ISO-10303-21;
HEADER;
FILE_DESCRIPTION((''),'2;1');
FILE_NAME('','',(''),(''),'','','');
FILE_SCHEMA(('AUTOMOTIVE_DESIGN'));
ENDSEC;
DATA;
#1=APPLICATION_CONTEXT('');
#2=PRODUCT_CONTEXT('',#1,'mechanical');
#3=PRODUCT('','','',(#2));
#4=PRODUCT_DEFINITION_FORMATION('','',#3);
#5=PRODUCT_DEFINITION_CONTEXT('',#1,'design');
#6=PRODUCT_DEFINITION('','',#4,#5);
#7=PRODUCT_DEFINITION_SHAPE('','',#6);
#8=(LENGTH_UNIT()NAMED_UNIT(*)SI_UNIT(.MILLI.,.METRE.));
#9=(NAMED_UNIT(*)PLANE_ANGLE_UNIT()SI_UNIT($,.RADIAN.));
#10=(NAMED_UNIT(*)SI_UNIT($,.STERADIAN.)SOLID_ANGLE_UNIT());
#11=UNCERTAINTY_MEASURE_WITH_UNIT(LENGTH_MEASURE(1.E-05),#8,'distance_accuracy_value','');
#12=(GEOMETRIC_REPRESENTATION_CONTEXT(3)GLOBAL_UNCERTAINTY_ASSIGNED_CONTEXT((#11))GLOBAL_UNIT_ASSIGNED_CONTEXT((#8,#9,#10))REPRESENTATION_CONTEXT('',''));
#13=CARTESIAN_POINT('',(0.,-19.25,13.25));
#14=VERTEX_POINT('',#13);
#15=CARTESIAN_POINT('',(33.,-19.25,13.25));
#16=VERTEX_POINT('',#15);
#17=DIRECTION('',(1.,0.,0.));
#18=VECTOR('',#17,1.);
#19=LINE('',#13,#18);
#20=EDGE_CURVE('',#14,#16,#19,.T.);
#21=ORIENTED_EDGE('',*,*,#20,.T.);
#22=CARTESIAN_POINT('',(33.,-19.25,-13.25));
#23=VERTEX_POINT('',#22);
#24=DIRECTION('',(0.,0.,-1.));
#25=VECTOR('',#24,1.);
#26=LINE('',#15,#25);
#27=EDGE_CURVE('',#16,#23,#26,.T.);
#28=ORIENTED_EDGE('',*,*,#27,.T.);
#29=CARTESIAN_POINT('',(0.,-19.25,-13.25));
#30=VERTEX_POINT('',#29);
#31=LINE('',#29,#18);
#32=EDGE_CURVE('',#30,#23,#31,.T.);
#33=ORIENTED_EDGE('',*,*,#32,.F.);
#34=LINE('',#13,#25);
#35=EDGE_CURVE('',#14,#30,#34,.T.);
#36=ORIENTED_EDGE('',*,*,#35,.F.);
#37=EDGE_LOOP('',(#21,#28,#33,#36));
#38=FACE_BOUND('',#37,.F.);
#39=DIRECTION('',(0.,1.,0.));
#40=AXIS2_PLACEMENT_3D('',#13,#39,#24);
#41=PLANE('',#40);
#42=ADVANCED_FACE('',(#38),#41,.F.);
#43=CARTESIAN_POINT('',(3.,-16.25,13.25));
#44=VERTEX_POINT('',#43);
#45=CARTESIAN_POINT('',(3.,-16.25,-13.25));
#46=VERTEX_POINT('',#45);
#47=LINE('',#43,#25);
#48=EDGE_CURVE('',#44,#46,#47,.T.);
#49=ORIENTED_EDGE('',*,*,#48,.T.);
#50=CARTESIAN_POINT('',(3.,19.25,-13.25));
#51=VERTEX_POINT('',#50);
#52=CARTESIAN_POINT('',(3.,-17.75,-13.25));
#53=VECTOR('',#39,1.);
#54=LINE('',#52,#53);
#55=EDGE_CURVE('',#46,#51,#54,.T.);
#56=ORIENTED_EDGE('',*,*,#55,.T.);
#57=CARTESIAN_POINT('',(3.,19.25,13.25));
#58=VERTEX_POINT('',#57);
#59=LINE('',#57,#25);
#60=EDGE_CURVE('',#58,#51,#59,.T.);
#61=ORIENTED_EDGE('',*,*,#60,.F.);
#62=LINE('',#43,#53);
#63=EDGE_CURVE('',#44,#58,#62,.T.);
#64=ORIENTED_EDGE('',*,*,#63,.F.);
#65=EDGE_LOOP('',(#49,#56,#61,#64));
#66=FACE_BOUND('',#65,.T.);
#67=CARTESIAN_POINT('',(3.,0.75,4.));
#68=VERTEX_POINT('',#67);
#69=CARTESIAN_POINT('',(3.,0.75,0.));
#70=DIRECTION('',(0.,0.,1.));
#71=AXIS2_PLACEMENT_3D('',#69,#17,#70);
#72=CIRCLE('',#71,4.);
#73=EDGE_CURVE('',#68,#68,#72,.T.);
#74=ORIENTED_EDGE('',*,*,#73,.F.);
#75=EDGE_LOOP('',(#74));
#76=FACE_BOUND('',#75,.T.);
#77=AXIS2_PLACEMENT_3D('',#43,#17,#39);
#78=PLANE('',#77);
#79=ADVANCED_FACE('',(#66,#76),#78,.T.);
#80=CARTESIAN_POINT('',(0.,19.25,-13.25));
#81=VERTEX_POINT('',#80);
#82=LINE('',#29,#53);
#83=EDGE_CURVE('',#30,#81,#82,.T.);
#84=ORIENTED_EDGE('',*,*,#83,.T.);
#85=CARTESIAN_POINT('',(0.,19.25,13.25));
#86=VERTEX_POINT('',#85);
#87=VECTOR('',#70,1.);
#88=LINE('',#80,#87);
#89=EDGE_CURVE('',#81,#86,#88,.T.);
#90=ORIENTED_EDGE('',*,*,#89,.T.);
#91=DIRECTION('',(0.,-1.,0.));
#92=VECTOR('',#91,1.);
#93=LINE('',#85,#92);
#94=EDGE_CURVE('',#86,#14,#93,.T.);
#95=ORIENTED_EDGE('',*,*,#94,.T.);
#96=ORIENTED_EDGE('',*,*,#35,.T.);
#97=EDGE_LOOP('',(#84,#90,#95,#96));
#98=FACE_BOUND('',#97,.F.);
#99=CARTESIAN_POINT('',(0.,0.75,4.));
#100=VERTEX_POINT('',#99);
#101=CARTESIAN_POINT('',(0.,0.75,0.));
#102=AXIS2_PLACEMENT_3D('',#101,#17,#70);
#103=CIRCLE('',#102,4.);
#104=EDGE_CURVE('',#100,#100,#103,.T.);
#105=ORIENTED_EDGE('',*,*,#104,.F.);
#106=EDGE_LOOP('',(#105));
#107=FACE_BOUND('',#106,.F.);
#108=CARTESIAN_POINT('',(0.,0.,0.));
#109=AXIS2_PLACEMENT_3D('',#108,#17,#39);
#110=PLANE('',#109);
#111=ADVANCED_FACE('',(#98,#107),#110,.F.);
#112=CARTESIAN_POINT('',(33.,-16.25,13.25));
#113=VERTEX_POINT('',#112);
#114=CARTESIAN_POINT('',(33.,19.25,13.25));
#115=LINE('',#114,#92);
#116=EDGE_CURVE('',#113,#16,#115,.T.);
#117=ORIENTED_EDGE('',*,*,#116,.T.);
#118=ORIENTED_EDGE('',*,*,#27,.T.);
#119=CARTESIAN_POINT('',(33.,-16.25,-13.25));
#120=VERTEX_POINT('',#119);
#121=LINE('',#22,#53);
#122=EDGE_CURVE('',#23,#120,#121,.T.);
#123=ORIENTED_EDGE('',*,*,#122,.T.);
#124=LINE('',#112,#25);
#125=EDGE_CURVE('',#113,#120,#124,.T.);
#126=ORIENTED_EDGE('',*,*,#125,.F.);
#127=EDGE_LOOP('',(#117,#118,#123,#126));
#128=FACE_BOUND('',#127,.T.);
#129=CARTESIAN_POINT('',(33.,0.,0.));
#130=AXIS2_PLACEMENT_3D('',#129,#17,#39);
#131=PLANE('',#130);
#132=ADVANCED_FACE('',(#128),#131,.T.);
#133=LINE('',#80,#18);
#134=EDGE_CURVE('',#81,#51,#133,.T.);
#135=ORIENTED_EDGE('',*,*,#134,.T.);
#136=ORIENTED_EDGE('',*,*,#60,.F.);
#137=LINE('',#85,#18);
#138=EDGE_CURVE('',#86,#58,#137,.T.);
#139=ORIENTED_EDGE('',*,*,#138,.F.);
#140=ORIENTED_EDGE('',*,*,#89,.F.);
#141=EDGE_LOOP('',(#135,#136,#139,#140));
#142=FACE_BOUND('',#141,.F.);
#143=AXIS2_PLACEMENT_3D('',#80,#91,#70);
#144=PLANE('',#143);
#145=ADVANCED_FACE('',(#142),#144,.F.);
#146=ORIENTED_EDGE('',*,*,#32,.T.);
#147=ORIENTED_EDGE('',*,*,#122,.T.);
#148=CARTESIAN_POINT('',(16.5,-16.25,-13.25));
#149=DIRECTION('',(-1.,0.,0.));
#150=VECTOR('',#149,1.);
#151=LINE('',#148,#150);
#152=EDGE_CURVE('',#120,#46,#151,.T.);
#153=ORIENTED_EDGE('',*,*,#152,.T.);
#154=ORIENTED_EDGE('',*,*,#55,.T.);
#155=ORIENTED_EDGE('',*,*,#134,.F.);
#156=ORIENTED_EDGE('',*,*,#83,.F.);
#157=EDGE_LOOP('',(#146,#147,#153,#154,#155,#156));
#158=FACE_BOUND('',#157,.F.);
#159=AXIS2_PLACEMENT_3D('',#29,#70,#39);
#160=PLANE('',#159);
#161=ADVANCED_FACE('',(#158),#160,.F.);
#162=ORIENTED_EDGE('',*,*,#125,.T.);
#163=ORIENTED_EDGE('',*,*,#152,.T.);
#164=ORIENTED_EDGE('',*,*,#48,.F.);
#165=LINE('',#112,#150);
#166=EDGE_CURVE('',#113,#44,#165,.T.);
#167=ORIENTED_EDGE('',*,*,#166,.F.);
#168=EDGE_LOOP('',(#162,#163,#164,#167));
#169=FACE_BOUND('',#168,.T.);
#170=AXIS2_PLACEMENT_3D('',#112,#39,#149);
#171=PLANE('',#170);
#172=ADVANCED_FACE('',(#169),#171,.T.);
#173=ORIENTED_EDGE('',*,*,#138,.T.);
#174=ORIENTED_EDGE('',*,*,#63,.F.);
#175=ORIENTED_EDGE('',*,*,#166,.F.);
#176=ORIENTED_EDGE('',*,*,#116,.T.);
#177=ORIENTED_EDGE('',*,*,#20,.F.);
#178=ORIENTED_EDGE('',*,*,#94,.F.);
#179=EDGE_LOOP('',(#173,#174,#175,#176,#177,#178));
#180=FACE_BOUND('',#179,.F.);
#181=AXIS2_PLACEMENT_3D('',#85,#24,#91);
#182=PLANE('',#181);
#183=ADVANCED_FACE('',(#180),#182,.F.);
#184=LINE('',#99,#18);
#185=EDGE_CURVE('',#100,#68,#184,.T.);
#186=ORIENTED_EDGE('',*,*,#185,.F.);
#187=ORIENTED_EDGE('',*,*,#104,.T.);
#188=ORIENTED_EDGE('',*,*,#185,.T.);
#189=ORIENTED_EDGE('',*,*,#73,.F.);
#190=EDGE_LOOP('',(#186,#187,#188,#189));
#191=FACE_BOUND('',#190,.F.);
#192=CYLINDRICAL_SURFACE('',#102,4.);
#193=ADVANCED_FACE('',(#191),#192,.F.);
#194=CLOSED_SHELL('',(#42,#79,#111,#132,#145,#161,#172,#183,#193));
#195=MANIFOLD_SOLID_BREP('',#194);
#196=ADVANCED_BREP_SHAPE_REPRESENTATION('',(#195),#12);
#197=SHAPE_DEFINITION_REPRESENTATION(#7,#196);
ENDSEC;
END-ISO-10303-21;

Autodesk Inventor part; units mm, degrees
ref_plane "YZ Plane" through (0, 0, 0) normal (1, 0, 0) x (0, 1, 0)
ref_plane "XZ Plane" through (0, 0, 0) normal (0, 1, 0) x (-1, 0, 0)
ref_plane "XY Plane" through (0, 0, 0) normal (0, 0, 1) x (1, 0, 0)
sketch "Skizze1" plane through (0, 0, 0) normal (1, 0, 0) x (0, 1, 0)
  line L0 (-19.25, -13.25) -> (19.25, -13.25)
  line L1 (19.25, -13.25) -> (19.25, 13.25)
  line L2 (19.25, 13.25) -> (-19.25, 13.25)
  line L3 (-19.25, 13.25) -> (-19.25, -13.25)
  line L4 (-19.25, -13.25) -> (19.25, 13.25) construction
  line L5 (19.25, -13.25) -> (-19.25, 13.25) construction
  point P0 (0, 0)
  dimension "d0" = 38.5
  dimension "d1" = 26.5
extrude "Extrusion1" add sketch "Skizze1" along normal blind 33
sketch "Skizze2" plane through (0, -19.25, 13.25) normal (0, 0, 1) x (1, 0, 0)
  line L0 (0, 38.5) -> (33, 38.5) projected
  line L1 (3, 38.5) -> (33, 38.5)
  line L2 (33, 38.5) -> (33, 3)
  line L3 (33, 3) -> (3, 3)
  line L4 (3, 3) -> (3, 38.5)
  point P0 (0, 19.25)
  dimension "d4" = 35.5
extrude "Extrusion2" cut sketch "Skizze2" against normal through all
sketch "Skizze3" plane through (0, 0, 0) normal (-1, 0, 0) x (0, 0, 1)
  line L0 (13.25, -16.25) -> (-13.25, -16.25) projected
  point P0 (0, 0)
  point P1 (0, 0.75)
  dimension "d14" = 0
  dimension "d15" = 17
hole "Bohrung1" at (0, 0.75, 0) direction (1, 0, 0) diameter 8 end through all
properties part number "MotorHalterNeu"
